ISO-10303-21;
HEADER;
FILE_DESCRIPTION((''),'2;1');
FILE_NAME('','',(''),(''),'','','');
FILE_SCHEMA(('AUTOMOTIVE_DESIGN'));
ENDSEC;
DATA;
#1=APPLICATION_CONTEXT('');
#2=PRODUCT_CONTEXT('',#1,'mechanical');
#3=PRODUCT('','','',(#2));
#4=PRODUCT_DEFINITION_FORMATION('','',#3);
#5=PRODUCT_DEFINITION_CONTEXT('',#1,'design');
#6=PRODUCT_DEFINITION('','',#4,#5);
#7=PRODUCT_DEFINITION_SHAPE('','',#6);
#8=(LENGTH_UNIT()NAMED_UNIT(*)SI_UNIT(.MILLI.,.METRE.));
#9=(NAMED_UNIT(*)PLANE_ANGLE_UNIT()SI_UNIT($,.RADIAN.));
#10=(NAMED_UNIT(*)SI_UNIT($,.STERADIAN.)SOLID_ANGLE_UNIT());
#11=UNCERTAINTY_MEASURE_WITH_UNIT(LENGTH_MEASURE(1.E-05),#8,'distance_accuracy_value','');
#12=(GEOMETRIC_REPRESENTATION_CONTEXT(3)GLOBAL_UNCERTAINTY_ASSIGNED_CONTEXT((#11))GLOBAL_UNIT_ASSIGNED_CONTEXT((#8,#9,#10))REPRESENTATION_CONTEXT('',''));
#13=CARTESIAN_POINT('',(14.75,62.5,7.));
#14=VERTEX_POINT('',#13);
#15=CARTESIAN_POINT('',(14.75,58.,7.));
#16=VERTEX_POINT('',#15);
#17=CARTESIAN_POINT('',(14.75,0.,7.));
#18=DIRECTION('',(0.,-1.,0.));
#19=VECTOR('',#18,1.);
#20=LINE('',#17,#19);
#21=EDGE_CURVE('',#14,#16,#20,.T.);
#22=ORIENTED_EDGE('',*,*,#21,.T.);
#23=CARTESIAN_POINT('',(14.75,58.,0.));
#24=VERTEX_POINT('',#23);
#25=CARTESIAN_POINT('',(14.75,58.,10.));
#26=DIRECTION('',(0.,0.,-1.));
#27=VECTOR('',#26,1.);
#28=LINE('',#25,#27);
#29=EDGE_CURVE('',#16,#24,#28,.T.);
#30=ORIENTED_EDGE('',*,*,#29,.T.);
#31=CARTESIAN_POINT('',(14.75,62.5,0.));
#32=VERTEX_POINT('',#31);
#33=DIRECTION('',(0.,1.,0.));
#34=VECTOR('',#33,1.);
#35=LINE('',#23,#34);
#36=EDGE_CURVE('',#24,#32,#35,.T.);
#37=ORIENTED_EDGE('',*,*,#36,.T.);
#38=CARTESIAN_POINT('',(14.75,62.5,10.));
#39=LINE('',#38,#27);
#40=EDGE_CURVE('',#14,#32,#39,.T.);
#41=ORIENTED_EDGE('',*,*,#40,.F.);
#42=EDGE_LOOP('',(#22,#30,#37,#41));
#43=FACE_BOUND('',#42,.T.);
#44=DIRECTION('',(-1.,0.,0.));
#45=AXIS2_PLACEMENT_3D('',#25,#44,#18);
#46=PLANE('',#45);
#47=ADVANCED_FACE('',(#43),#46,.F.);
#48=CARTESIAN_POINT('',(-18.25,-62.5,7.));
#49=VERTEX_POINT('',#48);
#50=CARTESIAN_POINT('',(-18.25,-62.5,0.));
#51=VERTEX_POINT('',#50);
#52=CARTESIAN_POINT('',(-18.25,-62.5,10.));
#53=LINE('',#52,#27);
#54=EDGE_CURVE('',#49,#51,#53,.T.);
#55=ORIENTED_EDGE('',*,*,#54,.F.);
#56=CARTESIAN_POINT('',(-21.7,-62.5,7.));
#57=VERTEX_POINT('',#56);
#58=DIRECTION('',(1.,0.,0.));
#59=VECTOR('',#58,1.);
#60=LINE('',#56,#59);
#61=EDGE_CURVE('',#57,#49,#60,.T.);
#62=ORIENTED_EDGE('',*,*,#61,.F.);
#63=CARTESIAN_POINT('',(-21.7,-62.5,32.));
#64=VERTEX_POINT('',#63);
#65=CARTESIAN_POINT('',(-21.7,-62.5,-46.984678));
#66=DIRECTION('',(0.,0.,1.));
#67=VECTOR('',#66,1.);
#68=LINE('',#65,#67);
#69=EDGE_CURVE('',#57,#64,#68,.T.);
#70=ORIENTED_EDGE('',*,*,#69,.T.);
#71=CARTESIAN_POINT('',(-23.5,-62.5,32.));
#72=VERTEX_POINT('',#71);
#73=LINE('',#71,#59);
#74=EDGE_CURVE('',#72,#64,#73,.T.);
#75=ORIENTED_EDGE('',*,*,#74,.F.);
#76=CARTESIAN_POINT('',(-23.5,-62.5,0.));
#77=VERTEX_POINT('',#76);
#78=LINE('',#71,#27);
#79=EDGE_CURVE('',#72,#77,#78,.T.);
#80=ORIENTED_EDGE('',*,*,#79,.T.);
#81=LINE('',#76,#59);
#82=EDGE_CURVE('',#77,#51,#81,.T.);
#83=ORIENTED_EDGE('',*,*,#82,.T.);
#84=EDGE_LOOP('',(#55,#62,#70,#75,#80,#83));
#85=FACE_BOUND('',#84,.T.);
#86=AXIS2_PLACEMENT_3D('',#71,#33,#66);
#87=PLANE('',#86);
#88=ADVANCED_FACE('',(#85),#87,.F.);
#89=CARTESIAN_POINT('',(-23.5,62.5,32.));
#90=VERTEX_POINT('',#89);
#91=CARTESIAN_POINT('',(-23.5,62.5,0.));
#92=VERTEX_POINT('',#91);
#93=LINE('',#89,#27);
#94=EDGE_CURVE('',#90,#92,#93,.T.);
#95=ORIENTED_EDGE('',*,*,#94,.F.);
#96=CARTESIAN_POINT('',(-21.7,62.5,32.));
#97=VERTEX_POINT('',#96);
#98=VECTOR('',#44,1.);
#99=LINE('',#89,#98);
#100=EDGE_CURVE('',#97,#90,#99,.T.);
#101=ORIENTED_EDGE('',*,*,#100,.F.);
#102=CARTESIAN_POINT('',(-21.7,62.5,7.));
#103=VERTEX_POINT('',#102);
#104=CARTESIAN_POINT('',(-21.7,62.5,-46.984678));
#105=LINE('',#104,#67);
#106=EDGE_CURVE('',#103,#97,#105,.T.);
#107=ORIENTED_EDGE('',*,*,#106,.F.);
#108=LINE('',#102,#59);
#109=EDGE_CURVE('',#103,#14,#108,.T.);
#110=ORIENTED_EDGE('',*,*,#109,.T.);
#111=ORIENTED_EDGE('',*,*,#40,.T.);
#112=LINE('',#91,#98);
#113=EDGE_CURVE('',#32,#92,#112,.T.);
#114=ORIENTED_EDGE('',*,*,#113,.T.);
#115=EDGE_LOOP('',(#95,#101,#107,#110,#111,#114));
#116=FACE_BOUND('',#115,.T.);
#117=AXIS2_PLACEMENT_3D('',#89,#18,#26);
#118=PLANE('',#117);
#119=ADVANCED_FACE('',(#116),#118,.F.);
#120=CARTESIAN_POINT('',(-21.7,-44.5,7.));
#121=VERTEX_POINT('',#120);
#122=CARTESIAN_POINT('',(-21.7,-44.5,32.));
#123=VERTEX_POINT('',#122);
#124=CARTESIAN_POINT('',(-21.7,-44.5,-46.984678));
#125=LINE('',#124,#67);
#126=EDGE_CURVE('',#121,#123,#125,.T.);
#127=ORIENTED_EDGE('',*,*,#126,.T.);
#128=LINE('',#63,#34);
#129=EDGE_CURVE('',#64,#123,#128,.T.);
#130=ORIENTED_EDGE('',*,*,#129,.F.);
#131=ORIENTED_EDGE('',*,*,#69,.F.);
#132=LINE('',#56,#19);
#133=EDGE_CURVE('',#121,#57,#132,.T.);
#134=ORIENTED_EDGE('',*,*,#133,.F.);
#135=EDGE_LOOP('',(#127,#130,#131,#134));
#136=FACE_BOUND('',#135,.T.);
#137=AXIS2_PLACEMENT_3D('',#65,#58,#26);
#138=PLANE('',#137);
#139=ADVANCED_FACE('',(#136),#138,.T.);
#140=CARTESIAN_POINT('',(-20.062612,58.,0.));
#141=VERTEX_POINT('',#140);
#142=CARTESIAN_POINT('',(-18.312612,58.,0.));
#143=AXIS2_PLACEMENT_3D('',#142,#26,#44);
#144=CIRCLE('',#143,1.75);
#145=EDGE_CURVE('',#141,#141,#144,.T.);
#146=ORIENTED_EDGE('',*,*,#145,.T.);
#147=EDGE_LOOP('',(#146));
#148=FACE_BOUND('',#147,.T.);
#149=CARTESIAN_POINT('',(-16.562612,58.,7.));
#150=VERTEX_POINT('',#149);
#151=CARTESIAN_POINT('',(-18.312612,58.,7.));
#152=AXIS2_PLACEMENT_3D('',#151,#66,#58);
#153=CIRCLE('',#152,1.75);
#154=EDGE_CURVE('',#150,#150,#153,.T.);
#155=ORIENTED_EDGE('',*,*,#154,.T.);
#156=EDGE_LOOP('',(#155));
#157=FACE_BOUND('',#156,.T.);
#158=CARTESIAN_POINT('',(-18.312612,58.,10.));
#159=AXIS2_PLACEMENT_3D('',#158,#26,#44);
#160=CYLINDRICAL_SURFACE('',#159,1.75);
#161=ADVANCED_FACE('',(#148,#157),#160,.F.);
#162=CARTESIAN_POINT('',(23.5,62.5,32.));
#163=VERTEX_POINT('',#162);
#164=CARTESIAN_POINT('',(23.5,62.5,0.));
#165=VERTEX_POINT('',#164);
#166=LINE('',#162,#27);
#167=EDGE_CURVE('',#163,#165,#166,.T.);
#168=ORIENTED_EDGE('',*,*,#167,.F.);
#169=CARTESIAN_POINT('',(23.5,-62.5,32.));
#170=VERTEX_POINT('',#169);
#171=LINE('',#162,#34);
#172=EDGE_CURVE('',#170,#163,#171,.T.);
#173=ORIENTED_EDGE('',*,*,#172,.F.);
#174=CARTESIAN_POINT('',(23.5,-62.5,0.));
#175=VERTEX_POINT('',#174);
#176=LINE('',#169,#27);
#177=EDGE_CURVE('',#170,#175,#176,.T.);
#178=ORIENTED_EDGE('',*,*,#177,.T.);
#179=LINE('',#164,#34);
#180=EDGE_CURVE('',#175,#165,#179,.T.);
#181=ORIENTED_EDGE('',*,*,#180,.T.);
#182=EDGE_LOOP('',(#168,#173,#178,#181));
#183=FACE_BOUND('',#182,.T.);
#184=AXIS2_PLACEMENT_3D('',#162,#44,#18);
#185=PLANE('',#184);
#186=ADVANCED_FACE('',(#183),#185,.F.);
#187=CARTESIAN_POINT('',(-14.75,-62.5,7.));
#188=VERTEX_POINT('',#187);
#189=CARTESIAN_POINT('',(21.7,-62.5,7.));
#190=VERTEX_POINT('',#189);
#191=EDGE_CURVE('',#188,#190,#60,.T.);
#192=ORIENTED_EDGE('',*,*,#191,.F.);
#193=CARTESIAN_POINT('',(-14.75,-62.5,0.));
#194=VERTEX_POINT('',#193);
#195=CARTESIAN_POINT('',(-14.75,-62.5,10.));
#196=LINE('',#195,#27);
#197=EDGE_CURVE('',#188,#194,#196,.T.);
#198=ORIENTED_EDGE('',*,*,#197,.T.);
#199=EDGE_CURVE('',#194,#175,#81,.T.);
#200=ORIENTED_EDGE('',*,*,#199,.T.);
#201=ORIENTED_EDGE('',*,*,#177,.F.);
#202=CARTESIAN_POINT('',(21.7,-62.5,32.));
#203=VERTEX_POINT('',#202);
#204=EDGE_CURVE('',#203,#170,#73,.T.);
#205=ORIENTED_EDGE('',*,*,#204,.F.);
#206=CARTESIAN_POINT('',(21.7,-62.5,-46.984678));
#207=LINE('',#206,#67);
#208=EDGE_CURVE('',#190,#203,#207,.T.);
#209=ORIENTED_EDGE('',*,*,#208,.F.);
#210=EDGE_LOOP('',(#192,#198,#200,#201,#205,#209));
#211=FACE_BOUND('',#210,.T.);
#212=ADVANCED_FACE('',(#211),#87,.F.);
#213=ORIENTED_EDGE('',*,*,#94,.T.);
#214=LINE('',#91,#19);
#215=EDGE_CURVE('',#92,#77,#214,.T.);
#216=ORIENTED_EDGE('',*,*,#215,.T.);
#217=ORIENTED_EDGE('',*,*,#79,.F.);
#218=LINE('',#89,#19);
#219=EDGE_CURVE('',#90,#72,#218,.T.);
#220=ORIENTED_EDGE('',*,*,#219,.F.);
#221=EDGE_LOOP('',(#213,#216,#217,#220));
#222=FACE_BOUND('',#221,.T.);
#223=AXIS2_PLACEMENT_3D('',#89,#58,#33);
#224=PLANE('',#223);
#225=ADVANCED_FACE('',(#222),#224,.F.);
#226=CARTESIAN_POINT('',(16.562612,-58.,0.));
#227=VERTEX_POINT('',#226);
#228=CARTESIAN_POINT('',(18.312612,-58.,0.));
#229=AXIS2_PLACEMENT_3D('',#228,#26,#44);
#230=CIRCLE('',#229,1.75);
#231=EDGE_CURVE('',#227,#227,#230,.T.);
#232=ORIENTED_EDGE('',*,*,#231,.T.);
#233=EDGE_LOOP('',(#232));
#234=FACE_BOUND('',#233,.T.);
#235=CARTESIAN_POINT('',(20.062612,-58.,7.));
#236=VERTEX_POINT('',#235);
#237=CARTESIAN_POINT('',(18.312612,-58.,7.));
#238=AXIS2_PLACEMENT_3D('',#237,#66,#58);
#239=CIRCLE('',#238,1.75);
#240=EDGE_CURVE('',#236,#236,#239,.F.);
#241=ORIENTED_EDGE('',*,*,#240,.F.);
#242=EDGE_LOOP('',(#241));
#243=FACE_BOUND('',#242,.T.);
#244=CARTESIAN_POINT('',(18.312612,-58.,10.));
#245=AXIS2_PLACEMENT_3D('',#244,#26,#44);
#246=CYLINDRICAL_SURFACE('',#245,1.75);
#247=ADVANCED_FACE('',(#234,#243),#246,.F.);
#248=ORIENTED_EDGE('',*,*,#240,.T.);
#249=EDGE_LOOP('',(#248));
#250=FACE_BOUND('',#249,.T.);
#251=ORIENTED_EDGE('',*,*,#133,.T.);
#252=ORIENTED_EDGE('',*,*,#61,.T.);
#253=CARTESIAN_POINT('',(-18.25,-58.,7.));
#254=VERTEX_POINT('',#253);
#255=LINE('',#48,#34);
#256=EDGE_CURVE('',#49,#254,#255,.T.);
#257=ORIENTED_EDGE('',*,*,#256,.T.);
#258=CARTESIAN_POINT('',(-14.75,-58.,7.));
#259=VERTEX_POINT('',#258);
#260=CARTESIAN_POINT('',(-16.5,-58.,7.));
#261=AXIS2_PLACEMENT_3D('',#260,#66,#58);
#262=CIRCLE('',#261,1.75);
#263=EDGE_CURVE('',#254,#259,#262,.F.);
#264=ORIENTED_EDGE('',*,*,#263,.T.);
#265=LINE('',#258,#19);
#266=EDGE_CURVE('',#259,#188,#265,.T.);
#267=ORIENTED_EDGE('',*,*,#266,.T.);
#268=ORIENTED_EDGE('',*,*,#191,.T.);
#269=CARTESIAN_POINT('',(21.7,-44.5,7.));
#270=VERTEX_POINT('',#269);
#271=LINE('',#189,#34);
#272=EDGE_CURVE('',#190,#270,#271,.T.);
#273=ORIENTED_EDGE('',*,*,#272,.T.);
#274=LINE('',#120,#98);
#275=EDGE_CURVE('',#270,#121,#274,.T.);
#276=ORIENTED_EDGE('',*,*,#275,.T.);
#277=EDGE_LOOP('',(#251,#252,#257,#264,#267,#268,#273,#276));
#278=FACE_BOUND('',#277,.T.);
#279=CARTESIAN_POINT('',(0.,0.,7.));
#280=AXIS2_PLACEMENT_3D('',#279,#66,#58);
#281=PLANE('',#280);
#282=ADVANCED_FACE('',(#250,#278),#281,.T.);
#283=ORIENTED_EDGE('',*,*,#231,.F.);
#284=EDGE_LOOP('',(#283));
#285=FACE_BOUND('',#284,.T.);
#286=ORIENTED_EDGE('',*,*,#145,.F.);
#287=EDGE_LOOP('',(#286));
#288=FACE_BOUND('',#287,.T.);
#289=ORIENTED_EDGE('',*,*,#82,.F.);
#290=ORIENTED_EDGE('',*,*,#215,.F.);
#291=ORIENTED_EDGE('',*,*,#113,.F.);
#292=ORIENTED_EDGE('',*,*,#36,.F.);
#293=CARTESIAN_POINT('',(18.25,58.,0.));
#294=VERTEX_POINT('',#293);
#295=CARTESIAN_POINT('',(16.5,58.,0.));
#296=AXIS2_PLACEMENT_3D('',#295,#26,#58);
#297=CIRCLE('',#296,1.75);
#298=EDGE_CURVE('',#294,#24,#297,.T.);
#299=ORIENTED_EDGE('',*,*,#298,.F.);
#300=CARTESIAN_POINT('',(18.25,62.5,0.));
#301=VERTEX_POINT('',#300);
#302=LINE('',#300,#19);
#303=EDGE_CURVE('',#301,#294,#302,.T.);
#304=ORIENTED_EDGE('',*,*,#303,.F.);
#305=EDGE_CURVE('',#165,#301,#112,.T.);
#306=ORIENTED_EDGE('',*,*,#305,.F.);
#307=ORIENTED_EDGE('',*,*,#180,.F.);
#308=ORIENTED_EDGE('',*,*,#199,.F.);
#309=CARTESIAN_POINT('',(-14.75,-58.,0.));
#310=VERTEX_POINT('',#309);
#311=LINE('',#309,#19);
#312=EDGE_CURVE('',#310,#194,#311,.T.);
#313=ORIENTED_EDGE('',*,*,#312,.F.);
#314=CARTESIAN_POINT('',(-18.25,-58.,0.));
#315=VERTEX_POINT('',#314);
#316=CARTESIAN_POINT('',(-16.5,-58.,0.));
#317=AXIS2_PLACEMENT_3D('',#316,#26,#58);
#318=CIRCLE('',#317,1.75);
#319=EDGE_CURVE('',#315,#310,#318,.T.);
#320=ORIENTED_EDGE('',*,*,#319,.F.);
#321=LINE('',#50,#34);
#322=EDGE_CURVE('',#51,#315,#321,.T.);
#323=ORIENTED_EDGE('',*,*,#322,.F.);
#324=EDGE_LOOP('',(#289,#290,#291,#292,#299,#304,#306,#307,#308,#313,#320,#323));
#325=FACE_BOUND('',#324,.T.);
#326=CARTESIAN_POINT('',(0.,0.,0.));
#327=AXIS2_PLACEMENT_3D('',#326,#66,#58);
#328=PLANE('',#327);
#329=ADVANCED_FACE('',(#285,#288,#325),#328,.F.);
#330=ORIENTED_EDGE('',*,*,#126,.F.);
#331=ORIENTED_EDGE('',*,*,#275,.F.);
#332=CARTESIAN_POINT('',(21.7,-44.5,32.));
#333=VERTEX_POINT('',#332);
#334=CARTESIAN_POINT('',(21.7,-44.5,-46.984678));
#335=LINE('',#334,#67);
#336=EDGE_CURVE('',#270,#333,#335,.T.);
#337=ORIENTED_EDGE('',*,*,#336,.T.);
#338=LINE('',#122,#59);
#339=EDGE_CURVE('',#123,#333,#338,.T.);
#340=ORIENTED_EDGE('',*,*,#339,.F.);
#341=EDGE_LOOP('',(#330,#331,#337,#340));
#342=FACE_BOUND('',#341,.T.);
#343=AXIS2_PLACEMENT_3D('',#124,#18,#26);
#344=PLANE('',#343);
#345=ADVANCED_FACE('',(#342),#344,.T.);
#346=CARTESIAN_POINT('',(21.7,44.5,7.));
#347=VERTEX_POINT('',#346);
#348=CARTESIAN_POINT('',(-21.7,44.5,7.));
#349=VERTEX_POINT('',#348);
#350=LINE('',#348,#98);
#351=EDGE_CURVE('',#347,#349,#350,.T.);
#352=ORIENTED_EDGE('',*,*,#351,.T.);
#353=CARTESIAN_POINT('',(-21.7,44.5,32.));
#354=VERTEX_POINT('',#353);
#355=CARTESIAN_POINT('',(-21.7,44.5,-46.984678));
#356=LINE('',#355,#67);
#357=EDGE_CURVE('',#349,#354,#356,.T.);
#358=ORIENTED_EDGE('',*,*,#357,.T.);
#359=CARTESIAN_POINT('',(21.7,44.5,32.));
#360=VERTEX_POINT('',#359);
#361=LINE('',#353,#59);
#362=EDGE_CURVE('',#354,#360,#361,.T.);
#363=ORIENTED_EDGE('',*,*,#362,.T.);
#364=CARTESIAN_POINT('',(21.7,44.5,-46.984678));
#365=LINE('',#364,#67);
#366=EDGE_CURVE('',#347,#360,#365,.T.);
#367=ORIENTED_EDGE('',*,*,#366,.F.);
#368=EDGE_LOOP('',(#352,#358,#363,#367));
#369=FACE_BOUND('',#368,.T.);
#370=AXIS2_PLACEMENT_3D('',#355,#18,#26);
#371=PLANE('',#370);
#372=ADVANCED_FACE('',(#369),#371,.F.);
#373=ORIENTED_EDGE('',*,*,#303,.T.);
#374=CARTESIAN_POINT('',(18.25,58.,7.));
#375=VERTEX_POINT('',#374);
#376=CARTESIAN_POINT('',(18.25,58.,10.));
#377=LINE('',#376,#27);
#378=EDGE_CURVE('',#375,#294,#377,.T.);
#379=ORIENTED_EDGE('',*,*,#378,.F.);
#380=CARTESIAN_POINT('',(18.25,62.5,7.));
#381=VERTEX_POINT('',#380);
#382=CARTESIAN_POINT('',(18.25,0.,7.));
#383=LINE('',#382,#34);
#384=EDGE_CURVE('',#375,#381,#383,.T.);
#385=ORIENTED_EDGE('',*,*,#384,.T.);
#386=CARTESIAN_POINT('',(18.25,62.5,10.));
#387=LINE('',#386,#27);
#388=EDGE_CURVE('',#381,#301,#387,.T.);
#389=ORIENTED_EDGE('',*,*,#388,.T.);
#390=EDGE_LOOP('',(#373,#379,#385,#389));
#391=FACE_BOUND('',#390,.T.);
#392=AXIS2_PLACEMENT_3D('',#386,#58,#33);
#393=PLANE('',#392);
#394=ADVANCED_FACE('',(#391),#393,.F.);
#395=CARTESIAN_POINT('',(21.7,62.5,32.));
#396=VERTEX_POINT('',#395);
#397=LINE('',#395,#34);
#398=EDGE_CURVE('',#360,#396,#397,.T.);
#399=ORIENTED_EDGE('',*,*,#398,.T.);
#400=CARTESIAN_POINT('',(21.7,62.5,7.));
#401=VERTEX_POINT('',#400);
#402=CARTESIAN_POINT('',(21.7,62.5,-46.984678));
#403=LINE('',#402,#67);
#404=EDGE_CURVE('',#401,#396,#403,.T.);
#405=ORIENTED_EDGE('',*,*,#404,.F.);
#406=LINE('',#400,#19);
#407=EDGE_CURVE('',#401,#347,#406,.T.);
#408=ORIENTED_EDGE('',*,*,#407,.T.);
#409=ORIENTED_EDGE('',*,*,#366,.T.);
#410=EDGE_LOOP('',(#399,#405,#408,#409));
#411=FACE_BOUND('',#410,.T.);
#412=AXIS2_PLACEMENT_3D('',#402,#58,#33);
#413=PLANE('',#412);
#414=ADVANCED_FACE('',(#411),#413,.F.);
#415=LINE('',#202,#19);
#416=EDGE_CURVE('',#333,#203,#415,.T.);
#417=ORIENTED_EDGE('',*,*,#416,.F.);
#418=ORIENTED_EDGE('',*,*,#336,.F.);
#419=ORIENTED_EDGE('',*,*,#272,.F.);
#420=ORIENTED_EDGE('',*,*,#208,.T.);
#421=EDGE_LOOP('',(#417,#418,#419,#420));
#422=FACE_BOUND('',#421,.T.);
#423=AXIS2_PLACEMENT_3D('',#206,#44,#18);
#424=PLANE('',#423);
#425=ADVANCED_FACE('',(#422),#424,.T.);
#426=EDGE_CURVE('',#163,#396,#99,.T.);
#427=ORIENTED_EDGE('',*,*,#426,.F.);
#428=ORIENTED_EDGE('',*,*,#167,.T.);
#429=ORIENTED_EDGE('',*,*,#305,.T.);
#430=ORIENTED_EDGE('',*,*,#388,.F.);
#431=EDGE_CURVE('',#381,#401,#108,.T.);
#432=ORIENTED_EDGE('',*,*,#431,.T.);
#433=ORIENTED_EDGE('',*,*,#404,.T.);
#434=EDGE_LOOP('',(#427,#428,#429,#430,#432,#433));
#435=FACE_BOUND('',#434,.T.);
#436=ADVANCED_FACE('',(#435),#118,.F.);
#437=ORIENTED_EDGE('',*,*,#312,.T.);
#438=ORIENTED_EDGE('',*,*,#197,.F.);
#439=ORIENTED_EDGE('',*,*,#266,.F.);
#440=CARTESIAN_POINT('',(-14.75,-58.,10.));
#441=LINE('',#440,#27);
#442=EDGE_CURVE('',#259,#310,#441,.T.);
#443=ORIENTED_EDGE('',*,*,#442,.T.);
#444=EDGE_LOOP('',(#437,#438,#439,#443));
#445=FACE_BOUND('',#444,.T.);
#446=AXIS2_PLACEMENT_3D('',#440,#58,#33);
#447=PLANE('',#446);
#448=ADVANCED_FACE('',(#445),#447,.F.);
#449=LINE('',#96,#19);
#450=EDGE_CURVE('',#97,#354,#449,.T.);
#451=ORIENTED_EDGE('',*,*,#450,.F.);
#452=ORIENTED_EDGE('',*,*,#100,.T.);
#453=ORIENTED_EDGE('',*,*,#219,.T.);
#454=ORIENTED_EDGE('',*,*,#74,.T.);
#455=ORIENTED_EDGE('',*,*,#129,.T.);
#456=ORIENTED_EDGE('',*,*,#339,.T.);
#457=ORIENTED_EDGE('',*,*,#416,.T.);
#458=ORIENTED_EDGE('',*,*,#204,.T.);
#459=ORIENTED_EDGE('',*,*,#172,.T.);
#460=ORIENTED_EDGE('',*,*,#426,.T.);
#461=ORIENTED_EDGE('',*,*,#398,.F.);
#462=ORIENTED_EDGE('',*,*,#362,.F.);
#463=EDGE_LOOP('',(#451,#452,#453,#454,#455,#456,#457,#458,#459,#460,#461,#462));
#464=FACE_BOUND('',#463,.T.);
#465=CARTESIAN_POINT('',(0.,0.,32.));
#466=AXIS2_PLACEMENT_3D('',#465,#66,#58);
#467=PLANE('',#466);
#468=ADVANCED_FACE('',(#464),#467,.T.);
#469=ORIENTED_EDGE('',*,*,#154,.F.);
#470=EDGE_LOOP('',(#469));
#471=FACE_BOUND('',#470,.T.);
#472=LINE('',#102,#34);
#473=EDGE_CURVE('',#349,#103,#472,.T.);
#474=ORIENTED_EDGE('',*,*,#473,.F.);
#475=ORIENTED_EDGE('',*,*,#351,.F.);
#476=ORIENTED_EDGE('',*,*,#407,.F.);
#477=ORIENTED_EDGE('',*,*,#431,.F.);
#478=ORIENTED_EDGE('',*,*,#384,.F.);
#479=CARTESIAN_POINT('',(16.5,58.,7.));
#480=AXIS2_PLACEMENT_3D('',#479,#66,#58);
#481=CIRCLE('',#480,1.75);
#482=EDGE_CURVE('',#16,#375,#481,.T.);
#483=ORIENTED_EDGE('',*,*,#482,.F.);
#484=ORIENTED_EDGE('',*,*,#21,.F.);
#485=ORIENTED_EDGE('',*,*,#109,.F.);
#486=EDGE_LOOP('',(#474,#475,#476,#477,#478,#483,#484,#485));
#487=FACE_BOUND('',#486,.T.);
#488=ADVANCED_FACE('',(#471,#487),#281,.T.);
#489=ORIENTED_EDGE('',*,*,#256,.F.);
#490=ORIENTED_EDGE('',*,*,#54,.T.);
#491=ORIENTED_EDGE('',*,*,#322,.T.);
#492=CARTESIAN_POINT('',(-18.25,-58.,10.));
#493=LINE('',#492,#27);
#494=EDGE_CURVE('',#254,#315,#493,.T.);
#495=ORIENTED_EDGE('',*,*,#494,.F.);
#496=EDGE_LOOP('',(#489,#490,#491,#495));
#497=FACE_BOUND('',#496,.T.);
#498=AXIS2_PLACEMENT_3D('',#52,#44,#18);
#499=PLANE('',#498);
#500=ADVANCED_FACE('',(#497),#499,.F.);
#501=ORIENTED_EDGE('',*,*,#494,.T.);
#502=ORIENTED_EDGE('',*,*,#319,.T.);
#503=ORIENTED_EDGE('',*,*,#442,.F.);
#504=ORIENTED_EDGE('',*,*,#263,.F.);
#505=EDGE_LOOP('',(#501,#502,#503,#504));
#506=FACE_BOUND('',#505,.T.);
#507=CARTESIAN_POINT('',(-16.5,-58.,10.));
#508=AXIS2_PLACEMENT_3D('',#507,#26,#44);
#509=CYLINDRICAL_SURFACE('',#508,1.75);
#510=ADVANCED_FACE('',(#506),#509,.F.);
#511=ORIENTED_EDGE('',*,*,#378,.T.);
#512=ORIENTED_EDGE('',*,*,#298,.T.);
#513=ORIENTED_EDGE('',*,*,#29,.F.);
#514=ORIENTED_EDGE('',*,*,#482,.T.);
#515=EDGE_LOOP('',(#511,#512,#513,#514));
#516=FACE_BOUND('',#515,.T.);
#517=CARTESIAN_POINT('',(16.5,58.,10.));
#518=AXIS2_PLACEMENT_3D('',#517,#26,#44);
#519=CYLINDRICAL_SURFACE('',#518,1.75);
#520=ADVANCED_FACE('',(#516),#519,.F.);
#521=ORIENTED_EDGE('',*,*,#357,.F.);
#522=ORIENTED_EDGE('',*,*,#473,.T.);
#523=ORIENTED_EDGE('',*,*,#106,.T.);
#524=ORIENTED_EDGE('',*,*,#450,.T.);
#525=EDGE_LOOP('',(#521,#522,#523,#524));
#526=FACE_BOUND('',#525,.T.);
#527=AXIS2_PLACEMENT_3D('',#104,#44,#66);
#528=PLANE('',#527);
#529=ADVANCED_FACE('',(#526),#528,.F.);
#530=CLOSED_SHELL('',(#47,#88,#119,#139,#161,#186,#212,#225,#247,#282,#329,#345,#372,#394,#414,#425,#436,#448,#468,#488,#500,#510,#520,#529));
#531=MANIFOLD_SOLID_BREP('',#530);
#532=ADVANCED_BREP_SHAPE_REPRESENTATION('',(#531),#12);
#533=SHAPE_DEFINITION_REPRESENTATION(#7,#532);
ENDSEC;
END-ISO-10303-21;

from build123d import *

# Parameters (mm, degrees)
SKETCH_1_W          = 47
SKETCH_1_H          = 125
EXTRUDE_1_DEPTH     = 32
SKETCH_2_W          = 43.4
SKETCH_2_H          = 18
CUT_EXTRUDE_1_DEPTH = 25
SKETCH_4_R          = 1.75
CUT_EXTRUDE_2_DEPTH = 10


with BuildPart() as part:
    # 草图1 → 凸台-拉伸1 (new body)
    with BuildSketch(Plane.XY):
        Rectangle(SKETCH_1_W, SKETCH_1_H)
    extrude(amount=EXTRUDE_1_DEPTH)

    # 草图2 → 切除-拉伸1 (cut)
    with BuildSketch(Plane.XY.offset(32)):
        with Locations((0, 53.5)):
            Rectangle(SKETCH_2_W, SKETCH_2_H)
    cut_extrude_1 = extrude(amount=-CUT_EXTRUDE_1_DEPTH, mode=Mode.SUBTRACT)

    # 草图4 → 切除-拉伸2 (cut)
    with BuildSketch(Plane(origin=(0, 0, 0), x_dir=(-1, 0, 0), z_dir=(0, 0, -1))):
        with Locations((-18.312611664, -58)):
            Circle(SKETCH_4_R)
        with Locations((18.312611664, 58)):
            Circle(SKETCH_4_R)
        with BuildLine():
            Line((14.75, -58), (14.75, -62.5))
            Line((14.75, -62.5), (18.25, -62.5))
            Line((18.25, -62.5), (18.25, -58))
            ThreePointArc((18.25, -58), (16.5, -56.25), (14.75, -58))
        make_face()
        with BuildLine():
            Line((-14.75, 58), (-14.75, 62.5))
            Line((-14.75, 62.5), (-18.25, 62.5))
            Line((-18.25, 62.5), (-18.25, 58))
            ThreePointArc((-18.25, 58), (-16.5, 56.25), (-14.75, 58))
        make_face()
    extrude(amount=-CUT_EXTRUDE_2_DEPTH, mode=Mode.SUBTRACT)

    # 镜向1: 切除-拉伸1 across plane
    add(cut_extrude_1.mirror(Plane.ZX), mode=Mode.SUBTRACT)


solid = part.part
